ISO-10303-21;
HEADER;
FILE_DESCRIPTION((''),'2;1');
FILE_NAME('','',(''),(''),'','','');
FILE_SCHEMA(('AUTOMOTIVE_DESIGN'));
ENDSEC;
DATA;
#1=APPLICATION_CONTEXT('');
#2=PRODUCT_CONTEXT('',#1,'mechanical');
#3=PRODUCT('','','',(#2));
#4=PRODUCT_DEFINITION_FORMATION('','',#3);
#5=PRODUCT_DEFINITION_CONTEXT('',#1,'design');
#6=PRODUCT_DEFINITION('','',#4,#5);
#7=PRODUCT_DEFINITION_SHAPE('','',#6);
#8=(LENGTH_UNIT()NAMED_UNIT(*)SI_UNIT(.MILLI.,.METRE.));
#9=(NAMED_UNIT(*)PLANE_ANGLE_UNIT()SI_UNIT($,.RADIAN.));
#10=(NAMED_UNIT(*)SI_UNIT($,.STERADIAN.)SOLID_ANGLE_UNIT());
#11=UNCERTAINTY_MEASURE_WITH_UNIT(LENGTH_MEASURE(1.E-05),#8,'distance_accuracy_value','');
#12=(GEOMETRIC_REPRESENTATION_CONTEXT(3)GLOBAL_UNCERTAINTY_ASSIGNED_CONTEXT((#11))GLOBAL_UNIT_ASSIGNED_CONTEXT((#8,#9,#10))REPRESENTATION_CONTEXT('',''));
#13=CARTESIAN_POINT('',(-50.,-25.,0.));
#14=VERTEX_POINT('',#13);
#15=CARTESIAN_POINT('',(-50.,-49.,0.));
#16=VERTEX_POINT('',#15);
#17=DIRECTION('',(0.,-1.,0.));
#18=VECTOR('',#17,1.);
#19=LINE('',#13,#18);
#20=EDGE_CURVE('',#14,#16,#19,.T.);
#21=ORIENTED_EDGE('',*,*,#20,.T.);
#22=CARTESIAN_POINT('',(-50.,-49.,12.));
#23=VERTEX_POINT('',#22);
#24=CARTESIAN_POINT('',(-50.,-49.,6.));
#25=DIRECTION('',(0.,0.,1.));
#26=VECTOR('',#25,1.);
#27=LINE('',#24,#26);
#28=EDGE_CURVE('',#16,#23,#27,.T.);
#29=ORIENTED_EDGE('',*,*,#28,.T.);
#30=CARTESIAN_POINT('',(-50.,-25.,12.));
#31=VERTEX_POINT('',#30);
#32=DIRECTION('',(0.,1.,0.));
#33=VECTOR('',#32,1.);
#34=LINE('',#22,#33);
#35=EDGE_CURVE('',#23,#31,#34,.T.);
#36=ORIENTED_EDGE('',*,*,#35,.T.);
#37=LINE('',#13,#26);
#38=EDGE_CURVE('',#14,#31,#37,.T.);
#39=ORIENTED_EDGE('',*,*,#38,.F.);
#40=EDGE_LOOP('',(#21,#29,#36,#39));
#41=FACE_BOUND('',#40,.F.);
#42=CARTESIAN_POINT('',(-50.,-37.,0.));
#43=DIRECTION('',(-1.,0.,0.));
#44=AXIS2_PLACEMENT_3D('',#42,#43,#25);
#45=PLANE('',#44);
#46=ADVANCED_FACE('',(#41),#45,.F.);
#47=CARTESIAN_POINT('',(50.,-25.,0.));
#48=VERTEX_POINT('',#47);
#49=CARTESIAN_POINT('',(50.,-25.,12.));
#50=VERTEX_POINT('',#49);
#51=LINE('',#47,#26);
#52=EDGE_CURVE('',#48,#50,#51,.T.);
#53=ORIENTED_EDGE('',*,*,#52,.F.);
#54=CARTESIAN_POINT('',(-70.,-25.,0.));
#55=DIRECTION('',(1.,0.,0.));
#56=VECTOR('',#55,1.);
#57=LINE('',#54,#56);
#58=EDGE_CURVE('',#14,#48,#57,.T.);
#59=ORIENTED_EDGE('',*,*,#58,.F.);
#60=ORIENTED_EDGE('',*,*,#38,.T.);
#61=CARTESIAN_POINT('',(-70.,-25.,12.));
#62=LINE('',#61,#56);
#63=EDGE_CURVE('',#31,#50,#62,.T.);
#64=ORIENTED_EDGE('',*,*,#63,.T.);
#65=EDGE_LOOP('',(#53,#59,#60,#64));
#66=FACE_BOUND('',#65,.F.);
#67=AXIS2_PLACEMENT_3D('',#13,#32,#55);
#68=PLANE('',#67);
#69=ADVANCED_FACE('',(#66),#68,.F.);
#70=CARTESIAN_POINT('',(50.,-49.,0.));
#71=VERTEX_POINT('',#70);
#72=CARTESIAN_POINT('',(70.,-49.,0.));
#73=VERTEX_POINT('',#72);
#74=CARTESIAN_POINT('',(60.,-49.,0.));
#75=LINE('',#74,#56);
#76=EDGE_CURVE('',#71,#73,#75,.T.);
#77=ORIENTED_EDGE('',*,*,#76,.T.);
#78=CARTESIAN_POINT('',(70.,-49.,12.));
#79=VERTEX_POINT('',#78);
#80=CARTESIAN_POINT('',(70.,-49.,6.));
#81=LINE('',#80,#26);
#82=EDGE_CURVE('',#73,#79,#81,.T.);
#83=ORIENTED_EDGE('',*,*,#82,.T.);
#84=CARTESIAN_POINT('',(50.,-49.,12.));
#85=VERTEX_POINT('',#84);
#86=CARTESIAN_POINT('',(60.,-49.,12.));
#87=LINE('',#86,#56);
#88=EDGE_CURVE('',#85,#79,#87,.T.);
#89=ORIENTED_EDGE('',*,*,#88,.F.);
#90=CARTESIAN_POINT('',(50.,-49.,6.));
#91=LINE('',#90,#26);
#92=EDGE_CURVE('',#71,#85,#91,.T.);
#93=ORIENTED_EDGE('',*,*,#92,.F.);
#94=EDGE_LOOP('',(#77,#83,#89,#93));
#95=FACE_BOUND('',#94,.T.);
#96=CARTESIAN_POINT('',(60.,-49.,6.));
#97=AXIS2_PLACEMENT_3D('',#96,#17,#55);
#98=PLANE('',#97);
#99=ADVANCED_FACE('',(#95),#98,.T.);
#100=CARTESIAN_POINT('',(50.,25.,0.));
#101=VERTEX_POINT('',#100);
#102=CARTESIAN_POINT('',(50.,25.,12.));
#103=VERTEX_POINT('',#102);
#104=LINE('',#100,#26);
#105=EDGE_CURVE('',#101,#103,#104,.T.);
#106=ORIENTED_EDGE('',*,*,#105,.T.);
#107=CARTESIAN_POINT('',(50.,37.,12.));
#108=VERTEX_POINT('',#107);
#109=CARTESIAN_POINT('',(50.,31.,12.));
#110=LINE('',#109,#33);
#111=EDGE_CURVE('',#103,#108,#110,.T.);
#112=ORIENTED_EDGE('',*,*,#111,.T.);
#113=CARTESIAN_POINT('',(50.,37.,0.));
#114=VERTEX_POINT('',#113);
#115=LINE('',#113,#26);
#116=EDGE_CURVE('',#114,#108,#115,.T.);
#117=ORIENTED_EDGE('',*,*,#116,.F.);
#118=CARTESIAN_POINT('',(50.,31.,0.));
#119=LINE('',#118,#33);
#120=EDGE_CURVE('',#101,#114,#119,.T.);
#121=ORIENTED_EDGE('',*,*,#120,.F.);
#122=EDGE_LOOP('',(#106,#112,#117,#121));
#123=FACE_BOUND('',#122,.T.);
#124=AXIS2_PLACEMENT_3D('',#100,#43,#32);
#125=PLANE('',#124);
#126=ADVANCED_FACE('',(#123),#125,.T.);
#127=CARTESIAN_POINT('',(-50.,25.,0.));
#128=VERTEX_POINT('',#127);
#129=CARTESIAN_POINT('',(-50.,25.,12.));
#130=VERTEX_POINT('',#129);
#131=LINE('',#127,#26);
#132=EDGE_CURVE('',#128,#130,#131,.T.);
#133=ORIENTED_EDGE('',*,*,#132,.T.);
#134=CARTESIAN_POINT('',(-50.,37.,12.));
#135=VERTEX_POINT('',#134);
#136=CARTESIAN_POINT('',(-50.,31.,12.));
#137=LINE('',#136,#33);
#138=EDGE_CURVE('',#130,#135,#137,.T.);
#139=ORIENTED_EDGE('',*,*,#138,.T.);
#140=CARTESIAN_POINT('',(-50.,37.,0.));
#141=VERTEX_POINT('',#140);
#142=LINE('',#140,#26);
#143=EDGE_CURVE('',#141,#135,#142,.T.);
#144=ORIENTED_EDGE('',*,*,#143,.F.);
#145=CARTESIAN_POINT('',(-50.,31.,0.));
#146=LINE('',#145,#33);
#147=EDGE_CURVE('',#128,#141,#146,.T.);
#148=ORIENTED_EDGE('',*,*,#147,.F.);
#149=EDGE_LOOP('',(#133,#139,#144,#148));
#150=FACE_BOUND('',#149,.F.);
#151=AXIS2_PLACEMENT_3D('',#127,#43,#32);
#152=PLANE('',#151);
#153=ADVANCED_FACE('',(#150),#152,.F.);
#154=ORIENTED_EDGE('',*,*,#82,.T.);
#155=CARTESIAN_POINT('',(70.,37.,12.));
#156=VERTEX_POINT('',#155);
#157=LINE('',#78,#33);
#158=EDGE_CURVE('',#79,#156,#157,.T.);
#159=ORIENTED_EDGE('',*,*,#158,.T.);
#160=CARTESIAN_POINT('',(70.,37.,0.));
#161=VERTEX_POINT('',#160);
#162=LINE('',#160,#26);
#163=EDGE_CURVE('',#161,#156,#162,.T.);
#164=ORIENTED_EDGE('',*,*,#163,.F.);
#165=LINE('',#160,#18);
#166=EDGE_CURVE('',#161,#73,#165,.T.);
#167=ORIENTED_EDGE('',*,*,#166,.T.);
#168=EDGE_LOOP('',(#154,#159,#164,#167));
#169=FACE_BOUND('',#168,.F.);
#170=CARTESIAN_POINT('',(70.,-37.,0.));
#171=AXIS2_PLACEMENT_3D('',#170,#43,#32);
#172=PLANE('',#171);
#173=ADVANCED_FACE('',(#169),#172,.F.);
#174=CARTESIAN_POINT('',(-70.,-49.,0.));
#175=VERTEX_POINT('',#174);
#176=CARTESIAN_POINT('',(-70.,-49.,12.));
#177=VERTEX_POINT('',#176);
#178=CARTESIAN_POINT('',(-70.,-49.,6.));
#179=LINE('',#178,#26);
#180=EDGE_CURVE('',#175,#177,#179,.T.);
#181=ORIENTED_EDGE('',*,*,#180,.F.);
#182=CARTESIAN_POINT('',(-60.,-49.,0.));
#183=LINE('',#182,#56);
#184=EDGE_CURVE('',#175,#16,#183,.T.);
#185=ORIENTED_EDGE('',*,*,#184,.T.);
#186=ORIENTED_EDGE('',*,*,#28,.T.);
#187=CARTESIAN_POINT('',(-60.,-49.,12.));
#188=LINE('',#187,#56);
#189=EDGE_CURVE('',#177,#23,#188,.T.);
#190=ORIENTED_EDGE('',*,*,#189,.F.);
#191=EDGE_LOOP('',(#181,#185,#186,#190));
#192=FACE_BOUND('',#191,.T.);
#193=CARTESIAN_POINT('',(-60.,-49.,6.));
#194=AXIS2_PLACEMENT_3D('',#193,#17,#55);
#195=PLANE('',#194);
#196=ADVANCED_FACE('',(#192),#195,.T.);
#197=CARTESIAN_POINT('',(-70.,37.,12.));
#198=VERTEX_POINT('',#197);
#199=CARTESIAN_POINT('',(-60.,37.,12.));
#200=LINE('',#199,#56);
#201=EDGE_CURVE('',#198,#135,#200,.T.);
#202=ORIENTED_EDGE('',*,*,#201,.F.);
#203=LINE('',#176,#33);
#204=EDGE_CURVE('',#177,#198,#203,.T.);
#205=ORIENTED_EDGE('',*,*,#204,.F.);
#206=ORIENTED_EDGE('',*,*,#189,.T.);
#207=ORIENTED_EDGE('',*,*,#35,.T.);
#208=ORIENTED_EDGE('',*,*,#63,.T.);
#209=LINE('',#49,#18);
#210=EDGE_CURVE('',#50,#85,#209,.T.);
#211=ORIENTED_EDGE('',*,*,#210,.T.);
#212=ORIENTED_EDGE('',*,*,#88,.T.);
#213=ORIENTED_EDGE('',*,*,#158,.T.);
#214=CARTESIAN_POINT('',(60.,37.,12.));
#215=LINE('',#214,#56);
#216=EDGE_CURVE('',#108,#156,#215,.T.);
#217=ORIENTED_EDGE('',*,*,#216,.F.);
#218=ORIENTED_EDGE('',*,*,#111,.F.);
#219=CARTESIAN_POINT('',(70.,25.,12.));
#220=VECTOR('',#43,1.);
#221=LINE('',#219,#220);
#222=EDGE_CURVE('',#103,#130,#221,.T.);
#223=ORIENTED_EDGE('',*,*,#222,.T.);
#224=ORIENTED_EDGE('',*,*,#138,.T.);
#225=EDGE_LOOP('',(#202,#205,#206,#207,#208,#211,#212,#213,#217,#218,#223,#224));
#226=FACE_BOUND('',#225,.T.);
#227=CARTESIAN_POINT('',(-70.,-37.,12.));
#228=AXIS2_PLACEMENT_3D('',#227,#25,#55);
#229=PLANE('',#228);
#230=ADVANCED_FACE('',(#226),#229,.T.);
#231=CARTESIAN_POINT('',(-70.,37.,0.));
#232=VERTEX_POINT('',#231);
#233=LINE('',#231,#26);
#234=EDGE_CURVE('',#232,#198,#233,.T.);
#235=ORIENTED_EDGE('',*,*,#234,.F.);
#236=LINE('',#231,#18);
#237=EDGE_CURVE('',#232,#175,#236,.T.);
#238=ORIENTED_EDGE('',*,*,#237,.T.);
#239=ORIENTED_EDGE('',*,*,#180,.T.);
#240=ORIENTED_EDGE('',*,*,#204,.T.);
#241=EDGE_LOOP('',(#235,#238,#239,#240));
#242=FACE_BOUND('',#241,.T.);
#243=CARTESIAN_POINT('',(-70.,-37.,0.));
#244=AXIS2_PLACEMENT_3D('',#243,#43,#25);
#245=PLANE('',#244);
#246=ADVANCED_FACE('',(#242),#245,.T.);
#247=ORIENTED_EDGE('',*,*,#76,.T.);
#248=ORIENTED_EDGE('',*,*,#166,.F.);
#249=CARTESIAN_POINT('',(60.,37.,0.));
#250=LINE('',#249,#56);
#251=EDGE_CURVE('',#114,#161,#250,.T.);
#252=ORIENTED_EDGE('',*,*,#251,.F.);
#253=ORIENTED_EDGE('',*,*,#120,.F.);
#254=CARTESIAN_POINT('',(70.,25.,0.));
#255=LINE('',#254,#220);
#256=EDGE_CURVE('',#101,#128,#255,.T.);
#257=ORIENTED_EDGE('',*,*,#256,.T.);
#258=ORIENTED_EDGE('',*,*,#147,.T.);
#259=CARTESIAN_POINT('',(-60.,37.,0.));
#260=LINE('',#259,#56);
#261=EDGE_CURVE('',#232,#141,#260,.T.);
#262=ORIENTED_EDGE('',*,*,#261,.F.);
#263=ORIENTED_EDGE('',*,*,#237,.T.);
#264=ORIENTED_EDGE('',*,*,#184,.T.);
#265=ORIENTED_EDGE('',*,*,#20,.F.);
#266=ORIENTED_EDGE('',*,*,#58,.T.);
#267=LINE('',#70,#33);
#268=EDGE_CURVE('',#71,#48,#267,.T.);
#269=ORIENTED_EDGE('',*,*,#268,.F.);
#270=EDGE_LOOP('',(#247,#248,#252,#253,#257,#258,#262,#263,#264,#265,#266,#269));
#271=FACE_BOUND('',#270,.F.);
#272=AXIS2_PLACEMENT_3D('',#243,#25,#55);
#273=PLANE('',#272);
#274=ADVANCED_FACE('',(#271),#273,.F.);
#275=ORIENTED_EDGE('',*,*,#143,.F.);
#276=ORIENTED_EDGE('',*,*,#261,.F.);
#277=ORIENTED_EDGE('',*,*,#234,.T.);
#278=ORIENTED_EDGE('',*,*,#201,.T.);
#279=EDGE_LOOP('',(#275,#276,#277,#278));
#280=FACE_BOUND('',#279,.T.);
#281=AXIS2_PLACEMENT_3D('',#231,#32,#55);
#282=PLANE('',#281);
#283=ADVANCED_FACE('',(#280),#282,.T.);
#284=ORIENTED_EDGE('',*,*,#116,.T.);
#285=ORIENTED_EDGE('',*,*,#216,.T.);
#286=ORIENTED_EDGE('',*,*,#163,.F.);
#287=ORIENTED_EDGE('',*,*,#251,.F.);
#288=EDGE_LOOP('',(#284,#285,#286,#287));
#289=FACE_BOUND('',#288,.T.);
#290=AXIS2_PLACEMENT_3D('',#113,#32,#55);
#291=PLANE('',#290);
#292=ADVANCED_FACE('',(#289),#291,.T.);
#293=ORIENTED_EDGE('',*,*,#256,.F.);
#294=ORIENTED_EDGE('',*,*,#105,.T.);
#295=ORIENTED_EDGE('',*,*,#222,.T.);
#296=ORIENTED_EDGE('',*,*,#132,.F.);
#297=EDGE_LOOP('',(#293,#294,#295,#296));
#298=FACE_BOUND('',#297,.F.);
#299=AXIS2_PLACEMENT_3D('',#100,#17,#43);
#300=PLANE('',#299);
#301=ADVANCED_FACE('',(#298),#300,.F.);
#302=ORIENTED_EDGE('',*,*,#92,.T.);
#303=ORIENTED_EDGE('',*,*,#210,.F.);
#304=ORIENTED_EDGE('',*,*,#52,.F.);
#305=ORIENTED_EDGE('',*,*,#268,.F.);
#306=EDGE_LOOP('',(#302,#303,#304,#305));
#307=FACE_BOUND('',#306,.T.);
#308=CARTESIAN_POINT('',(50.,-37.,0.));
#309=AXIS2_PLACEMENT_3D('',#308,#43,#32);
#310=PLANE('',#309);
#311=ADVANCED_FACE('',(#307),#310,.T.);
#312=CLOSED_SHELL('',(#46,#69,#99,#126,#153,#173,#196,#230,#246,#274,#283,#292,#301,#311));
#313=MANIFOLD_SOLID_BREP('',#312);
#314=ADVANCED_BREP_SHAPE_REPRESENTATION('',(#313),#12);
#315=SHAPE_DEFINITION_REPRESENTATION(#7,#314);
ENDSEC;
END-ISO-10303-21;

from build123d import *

# Parameters (mm, degrees)
F0_W      = 20
F0_H      = 12
F1_DEPTH  = 12
F1_FACE_W = 20
F1_FACE_H = 12
F2_DEPTH  = 12


with BuildPart() as f1:
    # F0 (on Top) → F1 (new body)
    with BuildSketch(Plane.XY):
        Polygon((70, -25), (70, 25), (50, 25), (-50, 25), (-70, 25), (-70, -25), (-50, -25), (50, -25), align=None)
        with Locations((60, 31)):
            Rectangle(F0_W, F0_H)
        with Locations((60, -31)):
            Rectangle(F0_W, F0_H)
        with Locations((-60, 31)):
            Rectangle(F0_W, F0_H)
        with Locations((-60, -31)):
            Rectangle(F0_W, F0_H)
    extrude(amount=F1_DEPTH)

    # F1_face (on face) → F2 (join)
    with BuildSketch(Plane(origin=(-60, -37, 6), x_dir=(1, 0, 0), z_dir=(0, -1, 0))):
        Rectangle(F1_FACE_W, F1_FACE_H)
        with Locations((120, 0)):
            Rectangle(F1_FACE_W, F1_FACE_H)
    extrude(amount=F2_DEPTH)


solid = f1.part
